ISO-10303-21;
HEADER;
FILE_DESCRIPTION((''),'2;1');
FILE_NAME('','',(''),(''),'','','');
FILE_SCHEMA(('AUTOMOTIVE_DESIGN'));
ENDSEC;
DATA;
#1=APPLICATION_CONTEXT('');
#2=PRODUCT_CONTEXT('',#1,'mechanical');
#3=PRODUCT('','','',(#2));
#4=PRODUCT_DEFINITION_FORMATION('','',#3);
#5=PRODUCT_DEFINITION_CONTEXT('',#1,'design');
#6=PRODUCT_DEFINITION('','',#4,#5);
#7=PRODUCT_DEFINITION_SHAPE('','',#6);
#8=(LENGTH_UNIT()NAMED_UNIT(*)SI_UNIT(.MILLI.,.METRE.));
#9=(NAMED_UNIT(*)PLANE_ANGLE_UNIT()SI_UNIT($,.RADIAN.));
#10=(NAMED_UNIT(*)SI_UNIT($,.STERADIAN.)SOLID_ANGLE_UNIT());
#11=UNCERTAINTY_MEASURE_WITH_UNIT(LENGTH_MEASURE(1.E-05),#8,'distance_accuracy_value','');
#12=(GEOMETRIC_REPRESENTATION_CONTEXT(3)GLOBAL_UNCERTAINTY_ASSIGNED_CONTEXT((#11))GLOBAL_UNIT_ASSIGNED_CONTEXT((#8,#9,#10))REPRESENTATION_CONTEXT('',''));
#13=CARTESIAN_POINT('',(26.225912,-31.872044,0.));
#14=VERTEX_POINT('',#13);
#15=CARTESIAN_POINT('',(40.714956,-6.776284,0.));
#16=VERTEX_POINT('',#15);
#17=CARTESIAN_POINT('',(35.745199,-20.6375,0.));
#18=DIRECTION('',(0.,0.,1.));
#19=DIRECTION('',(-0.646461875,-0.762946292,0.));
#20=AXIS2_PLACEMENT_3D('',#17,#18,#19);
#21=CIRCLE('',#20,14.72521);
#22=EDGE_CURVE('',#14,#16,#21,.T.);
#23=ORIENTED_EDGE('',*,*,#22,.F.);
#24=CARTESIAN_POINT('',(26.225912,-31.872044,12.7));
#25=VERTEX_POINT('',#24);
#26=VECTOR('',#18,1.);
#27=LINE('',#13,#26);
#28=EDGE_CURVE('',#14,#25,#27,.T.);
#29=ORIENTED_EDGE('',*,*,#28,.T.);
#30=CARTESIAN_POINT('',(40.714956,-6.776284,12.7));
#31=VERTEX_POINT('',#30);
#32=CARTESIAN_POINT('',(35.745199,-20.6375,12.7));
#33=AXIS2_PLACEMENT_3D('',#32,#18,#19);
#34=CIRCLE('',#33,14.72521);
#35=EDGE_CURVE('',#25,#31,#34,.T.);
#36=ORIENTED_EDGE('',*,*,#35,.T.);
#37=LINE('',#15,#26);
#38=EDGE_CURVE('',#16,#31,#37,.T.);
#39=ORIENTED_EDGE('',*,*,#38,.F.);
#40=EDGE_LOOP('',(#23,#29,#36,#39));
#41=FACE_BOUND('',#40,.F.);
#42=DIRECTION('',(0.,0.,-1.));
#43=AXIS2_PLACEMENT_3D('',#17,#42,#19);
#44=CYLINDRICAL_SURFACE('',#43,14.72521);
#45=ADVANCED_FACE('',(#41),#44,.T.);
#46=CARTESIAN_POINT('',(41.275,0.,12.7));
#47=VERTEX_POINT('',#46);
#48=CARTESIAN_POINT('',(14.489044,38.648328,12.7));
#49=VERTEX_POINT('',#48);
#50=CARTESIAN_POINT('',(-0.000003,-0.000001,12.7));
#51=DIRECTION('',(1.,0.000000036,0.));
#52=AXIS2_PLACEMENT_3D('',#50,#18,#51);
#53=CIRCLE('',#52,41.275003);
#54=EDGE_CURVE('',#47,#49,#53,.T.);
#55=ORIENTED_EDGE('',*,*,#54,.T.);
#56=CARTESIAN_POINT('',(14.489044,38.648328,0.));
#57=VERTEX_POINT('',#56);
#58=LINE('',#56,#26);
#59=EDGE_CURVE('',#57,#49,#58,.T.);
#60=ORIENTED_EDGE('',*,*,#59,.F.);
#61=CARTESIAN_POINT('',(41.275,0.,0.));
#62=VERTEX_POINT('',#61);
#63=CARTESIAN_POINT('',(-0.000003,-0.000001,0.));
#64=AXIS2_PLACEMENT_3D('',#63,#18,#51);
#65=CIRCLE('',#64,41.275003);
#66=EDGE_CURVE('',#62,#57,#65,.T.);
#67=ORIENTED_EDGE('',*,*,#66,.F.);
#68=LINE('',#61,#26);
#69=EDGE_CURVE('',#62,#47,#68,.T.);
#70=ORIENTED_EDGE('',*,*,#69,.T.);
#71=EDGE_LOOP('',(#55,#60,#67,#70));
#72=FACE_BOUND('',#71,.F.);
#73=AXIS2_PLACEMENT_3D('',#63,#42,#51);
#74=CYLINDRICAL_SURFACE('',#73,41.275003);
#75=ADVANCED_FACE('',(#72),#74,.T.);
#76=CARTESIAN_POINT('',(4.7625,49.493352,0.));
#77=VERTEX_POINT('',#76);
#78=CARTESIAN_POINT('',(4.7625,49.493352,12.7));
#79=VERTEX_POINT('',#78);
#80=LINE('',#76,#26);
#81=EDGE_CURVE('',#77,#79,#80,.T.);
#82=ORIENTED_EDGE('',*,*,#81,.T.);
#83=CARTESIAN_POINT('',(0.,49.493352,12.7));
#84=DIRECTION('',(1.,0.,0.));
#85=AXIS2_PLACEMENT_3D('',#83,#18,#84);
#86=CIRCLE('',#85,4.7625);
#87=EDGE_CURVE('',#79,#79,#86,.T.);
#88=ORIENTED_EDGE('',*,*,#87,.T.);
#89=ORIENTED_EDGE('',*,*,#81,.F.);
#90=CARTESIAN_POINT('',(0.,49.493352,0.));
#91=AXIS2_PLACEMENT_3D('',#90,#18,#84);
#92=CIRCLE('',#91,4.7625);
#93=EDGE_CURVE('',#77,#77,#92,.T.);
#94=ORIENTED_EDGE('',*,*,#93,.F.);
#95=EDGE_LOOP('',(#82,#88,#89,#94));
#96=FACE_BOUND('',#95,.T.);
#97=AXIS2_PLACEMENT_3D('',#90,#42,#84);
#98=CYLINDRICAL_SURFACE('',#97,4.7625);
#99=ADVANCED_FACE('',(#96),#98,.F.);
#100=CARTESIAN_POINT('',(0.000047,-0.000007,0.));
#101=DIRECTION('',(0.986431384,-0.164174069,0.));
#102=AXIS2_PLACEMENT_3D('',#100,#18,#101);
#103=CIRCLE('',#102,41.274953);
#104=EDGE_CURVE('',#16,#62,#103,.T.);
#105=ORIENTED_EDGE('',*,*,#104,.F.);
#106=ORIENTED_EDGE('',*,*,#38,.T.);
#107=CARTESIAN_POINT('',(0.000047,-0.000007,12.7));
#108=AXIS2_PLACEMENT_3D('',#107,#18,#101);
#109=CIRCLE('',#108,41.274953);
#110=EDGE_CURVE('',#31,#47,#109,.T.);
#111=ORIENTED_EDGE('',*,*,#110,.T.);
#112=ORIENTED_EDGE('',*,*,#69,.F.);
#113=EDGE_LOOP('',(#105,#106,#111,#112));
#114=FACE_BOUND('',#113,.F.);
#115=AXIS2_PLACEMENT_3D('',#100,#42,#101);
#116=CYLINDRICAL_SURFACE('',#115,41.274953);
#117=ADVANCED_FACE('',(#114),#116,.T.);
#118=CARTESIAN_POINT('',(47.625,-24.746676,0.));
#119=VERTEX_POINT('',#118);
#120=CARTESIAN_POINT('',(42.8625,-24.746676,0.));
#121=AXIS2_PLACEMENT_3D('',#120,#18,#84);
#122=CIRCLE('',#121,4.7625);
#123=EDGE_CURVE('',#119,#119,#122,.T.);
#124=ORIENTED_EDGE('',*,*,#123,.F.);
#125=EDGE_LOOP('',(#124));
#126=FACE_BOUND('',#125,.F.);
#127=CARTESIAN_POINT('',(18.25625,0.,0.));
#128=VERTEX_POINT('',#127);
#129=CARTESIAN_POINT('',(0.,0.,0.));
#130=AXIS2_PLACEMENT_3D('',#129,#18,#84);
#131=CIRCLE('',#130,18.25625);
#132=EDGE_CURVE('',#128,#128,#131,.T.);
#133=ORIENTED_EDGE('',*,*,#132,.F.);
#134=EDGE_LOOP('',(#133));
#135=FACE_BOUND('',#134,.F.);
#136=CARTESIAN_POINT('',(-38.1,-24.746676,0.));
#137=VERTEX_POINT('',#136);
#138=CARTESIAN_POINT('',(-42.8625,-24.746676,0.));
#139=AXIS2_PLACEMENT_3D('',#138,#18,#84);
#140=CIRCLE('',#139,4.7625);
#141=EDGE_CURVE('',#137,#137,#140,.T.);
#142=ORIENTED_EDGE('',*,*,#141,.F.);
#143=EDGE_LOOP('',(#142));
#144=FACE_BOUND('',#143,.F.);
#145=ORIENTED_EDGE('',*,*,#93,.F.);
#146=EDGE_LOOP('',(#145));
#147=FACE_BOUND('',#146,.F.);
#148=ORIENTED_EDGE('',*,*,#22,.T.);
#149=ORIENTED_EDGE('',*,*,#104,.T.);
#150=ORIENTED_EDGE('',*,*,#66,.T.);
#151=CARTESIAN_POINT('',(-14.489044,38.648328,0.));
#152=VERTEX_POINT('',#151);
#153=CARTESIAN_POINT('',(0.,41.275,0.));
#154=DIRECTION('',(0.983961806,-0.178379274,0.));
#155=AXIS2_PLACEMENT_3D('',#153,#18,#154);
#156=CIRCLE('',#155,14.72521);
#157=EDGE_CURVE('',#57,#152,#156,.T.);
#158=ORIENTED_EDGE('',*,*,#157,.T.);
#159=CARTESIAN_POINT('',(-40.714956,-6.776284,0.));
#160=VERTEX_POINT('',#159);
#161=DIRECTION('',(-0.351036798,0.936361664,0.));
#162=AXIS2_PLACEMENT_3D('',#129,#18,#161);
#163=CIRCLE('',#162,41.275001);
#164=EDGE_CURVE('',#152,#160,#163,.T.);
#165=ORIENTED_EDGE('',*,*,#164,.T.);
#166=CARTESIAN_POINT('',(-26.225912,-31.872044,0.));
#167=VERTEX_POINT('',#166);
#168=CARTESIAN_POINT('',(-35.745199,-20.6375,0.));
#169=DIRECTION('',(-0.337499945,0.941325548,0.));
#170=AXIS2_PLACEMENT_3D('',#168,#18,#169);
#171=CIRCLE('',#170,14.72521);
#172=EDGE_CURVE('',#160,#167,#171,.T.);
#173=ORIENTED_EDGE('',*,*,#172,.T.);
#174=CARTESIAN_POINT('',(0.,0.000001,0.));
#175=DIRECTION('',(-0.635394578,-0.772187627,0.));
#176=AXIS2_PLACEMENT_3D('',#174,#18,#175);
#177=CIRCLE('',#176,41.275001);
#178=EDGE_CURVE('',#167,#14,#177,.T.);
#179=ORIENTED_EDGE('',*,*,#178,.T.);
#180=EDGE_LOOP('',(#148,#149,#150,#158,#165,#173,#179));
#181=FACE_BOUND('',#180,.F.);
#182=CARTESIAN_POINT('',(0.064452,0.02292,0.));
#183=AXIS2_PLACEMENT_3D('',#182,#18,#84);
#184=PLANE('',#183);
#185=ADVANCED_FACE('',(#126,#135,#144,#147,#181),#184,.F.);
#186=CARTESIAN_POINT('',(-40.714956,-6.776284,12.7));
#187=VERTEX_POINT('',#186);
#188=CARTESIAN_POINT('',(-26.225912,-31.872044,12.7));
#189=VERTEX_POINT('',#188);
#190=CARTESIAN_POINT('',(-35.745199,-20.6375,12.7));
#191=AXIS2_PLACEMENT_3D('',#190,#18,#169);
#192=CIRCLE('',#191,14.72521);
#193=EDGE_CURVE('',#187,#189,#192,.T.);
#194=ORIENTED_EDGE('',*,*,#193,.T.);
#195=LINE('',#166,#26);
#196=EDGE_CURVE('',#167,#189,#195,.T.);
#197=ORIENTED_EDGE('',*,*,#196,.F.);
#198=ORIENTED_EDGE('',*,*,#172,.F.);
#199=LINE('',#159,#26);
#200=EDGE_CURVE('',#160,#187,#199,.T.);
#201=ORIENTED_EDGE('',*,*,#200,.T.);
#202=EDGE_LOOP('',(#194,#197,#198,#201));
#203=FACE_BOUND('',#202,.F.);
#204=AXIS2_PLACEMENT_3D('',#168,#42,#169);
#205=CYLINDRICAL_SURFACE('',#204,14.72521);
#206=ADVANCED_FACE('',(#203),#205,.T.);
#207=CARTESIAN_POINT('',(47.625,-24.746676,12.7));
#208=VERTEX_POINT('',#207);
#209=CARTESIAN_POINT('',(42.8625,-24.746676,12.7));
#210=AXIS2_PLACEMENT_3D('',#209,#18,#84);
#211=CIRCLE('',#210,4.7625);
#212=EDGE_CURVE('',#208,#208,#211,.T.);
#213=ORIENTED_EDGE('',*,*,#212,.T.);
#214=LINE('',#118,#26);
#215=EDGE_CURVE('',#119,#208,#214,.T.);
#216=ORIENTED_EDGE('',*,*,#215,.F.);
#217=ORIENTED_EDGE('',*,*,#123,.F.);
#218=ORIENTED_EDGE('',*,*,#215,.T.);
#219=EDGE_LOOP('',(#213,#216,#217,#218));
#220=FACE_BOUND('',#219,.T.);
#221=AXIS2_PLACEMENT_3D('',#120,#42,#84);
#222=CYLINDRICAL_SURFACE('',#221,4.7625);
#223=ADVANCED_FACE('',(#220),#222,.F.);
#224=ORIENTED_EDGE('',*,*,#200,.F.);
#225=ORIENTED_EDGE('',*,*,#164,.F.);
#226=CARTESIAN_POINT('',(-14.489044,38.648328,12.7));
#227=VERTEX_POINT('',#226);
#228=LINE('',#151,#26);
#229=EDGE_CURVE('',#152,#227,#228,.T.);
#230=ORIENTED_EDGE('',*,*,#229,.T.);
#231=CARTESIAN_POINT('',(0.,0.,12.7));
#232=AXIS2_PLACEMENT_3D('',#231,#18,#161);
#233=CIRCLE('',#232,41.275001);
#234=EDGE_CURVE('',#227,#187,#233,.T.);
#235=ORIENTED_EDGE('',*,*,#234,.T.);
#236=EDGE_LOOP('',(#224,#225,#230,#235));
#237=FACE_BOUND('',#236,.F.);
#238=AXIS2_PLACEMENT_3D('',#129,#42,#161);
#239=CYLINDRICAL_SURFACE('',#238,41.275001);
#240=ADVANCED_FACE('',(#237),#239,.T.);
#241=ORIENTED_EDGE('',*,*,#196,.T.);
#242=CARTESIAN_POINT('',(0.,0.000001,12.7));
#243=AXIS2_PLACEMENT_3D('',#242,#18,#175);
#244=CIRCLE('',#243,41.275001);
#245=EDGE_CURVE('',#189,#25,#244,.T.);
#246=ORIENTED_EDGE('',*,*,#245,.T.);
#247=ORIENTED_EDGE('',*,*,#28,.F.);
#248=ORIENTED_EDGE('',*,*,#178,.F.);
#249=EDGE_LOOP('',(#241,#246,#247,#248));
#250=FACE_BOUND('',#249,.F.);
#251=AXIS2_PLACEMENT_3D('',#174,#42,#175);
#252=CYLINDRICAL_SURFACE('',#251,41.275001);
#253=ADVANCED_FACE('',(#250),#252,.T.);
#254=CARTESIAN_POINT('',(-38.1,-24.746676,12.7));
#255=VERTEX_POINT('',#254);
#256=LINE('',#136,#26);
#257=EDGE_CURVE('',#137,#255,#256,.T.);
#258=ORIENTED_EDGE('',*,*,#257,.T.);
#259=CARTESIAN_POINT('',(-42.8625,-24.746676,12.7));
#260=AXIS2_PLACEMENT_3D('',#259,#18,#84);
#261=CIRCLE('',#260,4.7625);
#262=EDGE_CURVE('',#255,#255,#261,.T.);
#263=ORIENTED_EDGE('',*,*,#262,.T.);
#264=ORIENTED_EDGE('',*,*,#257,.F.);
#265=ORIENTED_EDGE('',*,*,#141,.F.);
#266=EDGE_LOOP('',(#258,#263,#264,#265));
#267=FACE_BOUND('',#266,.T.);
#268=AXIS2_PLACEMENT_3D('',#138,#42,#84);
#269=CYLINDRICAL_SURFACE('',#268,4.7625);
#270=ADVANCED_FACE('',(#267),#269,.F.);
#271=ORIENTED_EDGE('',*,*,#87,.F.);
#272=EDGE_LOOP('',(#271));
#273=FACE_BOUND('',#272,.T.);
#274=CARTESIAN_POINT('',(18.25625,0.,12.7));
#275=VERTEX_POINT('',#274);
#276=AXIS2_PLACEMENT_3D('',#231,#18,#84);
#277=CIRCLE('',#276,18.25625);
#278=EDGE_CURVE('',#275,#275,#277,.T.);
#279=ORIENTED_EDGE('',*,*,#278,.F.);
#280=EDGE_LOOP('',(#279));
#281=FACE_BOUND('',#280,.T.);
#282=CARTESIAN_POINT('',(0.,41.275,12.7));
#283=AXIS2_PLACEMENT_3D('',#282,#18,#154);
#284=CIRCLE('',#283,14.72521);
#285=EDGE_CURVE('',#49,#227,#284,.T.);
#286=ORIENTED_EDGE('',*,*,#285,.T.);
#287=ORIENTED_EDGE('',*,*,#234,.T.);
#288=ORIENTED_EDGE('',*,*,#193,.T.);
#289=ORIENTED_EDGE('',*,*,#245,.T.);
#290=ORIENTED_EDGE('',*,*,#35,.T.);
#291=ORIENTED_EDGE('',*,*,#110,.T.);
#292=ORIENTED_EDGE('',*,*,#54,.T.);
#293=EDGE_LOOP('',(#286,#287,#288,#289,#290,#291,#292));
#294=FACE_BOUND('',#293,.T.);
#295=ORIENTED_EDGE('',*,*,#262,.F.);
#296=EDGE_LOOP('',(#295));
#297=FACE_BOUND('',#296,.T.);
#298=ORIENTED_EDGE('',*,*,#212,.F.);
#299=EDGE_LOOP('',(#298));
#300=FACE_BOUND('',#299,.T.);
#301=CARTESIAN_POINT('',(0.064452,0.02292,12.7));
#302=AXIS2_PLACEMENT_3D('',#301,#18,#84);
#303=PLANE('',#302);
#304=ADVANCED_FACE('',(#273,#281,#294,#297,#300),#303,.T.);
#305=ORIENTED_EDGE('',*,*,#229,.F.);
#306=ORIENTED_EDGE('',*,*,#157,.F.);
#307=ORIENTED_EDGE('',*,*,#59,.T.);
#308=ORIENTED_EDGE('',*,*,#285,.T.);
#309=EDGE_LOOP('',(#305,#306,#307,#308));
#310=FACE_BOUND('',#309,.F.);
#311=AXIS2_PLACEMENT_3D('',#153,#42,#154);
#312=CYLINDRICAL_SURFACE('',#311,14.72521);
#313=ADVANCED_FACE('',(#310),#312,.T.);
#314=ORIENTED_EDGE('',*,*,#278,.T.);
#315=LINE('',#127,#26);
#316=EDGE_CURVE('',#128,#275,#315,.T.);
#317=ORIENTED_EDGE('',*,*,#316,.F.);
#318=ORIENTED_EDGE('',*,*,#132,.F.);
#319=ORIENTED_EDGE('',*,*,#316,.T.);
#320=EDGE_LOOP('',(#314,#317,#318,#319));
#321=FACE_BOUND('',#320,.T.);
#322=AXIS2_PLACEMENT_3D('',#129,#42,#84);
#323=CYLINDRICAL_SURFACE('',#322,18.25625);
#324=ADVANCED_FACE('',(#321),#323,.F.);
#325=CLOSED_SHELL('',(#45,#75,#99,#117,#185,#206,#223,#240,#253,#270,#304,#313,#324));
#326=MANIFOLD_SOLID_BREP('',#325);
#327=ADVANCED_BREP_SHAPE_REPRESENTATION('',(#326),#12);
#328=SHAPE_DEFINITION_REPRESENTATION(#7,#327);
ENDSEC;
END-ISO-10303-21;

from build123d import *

# Parameters (mm, degrees)
F0_R     = 18.25625
F0_R_2   = 4.7625
F1_DEPTH = 12.7


with BuildPart() as f1:
    # F0 (on Top) → F1 (new body)
    with BuildSketch(Plane.XY):
        with BuildLine():
            ThreePointArc((40.714956, -6.776284), (41.134751, -3.399694), (41.275, 0))
            ThreePointArc((41.275, 0), (33.923892, 23.511596), (14.489044, 38.648328))
            ThreePointArc((14.489044, 38.648328), (0, 41.275), (-14.489044, 38.648328))
            ThreePointArc((-14.489044, 38.648328), (-35.745199, 20.6375), (-40.714956, -6.776284))
            ThreePointArc((-40.714956, -6.776284), (-35.745199, -20.6375), (-26.225912, -31.872044))
            ThreePointArc((-26.225912, -31.872044), (0, -41.275), (26.225912, -31.872044))
            ThreePointArc((26.225912, -31.872044), (35.745199, -20.6375), (40.714956, -6.776284))
        make_face()
        Circle(F0_R, mode=Mode.SUBTRACT)
        with BuildLine():
            ThreePointArc((-26.225912, -31.872044), (-35.745199, -20.6375), (-40.714956, -6.776284))
            ThreePointArc((-40.714956, -6.776284), (-48.497604, -28.000105), (-26.225912, -31.872044))
        make_face()
        with Locations((-42.8625, -24.746676)):
            Circle(F0_R_2, mode=Mode.SUBTRACT)
        with BuildLine():
            ThreePointArc((-14.489044, 38.648328), (0, 41.275), (14.489044, 38.648328))
            ThreePointArc((14.489044, 38.648328), (0, 56.00021), (-14.489044, 38.648328))
        make_face()
        with Locations((0, 49.493352)):
            Circle(F0_R_2, mode=Mode.SUBTRACT)
        with BuildLine():
            ThreePointArc((26.225912, -31.872044), (48.497604, -28.000105), (40.714956, -6.776284))
            ThreePointArc((40.714956, -6.776284), (35.745199, -20.6375), (26.225912, -31.872044))
        make_face()
        with Locations((42.8625, -24.746676)):
            Circle(F0_R_2, mode=Mode.SUBTRACT)
    extrude(amount=F1_DEPTH)


solid = f1.part
